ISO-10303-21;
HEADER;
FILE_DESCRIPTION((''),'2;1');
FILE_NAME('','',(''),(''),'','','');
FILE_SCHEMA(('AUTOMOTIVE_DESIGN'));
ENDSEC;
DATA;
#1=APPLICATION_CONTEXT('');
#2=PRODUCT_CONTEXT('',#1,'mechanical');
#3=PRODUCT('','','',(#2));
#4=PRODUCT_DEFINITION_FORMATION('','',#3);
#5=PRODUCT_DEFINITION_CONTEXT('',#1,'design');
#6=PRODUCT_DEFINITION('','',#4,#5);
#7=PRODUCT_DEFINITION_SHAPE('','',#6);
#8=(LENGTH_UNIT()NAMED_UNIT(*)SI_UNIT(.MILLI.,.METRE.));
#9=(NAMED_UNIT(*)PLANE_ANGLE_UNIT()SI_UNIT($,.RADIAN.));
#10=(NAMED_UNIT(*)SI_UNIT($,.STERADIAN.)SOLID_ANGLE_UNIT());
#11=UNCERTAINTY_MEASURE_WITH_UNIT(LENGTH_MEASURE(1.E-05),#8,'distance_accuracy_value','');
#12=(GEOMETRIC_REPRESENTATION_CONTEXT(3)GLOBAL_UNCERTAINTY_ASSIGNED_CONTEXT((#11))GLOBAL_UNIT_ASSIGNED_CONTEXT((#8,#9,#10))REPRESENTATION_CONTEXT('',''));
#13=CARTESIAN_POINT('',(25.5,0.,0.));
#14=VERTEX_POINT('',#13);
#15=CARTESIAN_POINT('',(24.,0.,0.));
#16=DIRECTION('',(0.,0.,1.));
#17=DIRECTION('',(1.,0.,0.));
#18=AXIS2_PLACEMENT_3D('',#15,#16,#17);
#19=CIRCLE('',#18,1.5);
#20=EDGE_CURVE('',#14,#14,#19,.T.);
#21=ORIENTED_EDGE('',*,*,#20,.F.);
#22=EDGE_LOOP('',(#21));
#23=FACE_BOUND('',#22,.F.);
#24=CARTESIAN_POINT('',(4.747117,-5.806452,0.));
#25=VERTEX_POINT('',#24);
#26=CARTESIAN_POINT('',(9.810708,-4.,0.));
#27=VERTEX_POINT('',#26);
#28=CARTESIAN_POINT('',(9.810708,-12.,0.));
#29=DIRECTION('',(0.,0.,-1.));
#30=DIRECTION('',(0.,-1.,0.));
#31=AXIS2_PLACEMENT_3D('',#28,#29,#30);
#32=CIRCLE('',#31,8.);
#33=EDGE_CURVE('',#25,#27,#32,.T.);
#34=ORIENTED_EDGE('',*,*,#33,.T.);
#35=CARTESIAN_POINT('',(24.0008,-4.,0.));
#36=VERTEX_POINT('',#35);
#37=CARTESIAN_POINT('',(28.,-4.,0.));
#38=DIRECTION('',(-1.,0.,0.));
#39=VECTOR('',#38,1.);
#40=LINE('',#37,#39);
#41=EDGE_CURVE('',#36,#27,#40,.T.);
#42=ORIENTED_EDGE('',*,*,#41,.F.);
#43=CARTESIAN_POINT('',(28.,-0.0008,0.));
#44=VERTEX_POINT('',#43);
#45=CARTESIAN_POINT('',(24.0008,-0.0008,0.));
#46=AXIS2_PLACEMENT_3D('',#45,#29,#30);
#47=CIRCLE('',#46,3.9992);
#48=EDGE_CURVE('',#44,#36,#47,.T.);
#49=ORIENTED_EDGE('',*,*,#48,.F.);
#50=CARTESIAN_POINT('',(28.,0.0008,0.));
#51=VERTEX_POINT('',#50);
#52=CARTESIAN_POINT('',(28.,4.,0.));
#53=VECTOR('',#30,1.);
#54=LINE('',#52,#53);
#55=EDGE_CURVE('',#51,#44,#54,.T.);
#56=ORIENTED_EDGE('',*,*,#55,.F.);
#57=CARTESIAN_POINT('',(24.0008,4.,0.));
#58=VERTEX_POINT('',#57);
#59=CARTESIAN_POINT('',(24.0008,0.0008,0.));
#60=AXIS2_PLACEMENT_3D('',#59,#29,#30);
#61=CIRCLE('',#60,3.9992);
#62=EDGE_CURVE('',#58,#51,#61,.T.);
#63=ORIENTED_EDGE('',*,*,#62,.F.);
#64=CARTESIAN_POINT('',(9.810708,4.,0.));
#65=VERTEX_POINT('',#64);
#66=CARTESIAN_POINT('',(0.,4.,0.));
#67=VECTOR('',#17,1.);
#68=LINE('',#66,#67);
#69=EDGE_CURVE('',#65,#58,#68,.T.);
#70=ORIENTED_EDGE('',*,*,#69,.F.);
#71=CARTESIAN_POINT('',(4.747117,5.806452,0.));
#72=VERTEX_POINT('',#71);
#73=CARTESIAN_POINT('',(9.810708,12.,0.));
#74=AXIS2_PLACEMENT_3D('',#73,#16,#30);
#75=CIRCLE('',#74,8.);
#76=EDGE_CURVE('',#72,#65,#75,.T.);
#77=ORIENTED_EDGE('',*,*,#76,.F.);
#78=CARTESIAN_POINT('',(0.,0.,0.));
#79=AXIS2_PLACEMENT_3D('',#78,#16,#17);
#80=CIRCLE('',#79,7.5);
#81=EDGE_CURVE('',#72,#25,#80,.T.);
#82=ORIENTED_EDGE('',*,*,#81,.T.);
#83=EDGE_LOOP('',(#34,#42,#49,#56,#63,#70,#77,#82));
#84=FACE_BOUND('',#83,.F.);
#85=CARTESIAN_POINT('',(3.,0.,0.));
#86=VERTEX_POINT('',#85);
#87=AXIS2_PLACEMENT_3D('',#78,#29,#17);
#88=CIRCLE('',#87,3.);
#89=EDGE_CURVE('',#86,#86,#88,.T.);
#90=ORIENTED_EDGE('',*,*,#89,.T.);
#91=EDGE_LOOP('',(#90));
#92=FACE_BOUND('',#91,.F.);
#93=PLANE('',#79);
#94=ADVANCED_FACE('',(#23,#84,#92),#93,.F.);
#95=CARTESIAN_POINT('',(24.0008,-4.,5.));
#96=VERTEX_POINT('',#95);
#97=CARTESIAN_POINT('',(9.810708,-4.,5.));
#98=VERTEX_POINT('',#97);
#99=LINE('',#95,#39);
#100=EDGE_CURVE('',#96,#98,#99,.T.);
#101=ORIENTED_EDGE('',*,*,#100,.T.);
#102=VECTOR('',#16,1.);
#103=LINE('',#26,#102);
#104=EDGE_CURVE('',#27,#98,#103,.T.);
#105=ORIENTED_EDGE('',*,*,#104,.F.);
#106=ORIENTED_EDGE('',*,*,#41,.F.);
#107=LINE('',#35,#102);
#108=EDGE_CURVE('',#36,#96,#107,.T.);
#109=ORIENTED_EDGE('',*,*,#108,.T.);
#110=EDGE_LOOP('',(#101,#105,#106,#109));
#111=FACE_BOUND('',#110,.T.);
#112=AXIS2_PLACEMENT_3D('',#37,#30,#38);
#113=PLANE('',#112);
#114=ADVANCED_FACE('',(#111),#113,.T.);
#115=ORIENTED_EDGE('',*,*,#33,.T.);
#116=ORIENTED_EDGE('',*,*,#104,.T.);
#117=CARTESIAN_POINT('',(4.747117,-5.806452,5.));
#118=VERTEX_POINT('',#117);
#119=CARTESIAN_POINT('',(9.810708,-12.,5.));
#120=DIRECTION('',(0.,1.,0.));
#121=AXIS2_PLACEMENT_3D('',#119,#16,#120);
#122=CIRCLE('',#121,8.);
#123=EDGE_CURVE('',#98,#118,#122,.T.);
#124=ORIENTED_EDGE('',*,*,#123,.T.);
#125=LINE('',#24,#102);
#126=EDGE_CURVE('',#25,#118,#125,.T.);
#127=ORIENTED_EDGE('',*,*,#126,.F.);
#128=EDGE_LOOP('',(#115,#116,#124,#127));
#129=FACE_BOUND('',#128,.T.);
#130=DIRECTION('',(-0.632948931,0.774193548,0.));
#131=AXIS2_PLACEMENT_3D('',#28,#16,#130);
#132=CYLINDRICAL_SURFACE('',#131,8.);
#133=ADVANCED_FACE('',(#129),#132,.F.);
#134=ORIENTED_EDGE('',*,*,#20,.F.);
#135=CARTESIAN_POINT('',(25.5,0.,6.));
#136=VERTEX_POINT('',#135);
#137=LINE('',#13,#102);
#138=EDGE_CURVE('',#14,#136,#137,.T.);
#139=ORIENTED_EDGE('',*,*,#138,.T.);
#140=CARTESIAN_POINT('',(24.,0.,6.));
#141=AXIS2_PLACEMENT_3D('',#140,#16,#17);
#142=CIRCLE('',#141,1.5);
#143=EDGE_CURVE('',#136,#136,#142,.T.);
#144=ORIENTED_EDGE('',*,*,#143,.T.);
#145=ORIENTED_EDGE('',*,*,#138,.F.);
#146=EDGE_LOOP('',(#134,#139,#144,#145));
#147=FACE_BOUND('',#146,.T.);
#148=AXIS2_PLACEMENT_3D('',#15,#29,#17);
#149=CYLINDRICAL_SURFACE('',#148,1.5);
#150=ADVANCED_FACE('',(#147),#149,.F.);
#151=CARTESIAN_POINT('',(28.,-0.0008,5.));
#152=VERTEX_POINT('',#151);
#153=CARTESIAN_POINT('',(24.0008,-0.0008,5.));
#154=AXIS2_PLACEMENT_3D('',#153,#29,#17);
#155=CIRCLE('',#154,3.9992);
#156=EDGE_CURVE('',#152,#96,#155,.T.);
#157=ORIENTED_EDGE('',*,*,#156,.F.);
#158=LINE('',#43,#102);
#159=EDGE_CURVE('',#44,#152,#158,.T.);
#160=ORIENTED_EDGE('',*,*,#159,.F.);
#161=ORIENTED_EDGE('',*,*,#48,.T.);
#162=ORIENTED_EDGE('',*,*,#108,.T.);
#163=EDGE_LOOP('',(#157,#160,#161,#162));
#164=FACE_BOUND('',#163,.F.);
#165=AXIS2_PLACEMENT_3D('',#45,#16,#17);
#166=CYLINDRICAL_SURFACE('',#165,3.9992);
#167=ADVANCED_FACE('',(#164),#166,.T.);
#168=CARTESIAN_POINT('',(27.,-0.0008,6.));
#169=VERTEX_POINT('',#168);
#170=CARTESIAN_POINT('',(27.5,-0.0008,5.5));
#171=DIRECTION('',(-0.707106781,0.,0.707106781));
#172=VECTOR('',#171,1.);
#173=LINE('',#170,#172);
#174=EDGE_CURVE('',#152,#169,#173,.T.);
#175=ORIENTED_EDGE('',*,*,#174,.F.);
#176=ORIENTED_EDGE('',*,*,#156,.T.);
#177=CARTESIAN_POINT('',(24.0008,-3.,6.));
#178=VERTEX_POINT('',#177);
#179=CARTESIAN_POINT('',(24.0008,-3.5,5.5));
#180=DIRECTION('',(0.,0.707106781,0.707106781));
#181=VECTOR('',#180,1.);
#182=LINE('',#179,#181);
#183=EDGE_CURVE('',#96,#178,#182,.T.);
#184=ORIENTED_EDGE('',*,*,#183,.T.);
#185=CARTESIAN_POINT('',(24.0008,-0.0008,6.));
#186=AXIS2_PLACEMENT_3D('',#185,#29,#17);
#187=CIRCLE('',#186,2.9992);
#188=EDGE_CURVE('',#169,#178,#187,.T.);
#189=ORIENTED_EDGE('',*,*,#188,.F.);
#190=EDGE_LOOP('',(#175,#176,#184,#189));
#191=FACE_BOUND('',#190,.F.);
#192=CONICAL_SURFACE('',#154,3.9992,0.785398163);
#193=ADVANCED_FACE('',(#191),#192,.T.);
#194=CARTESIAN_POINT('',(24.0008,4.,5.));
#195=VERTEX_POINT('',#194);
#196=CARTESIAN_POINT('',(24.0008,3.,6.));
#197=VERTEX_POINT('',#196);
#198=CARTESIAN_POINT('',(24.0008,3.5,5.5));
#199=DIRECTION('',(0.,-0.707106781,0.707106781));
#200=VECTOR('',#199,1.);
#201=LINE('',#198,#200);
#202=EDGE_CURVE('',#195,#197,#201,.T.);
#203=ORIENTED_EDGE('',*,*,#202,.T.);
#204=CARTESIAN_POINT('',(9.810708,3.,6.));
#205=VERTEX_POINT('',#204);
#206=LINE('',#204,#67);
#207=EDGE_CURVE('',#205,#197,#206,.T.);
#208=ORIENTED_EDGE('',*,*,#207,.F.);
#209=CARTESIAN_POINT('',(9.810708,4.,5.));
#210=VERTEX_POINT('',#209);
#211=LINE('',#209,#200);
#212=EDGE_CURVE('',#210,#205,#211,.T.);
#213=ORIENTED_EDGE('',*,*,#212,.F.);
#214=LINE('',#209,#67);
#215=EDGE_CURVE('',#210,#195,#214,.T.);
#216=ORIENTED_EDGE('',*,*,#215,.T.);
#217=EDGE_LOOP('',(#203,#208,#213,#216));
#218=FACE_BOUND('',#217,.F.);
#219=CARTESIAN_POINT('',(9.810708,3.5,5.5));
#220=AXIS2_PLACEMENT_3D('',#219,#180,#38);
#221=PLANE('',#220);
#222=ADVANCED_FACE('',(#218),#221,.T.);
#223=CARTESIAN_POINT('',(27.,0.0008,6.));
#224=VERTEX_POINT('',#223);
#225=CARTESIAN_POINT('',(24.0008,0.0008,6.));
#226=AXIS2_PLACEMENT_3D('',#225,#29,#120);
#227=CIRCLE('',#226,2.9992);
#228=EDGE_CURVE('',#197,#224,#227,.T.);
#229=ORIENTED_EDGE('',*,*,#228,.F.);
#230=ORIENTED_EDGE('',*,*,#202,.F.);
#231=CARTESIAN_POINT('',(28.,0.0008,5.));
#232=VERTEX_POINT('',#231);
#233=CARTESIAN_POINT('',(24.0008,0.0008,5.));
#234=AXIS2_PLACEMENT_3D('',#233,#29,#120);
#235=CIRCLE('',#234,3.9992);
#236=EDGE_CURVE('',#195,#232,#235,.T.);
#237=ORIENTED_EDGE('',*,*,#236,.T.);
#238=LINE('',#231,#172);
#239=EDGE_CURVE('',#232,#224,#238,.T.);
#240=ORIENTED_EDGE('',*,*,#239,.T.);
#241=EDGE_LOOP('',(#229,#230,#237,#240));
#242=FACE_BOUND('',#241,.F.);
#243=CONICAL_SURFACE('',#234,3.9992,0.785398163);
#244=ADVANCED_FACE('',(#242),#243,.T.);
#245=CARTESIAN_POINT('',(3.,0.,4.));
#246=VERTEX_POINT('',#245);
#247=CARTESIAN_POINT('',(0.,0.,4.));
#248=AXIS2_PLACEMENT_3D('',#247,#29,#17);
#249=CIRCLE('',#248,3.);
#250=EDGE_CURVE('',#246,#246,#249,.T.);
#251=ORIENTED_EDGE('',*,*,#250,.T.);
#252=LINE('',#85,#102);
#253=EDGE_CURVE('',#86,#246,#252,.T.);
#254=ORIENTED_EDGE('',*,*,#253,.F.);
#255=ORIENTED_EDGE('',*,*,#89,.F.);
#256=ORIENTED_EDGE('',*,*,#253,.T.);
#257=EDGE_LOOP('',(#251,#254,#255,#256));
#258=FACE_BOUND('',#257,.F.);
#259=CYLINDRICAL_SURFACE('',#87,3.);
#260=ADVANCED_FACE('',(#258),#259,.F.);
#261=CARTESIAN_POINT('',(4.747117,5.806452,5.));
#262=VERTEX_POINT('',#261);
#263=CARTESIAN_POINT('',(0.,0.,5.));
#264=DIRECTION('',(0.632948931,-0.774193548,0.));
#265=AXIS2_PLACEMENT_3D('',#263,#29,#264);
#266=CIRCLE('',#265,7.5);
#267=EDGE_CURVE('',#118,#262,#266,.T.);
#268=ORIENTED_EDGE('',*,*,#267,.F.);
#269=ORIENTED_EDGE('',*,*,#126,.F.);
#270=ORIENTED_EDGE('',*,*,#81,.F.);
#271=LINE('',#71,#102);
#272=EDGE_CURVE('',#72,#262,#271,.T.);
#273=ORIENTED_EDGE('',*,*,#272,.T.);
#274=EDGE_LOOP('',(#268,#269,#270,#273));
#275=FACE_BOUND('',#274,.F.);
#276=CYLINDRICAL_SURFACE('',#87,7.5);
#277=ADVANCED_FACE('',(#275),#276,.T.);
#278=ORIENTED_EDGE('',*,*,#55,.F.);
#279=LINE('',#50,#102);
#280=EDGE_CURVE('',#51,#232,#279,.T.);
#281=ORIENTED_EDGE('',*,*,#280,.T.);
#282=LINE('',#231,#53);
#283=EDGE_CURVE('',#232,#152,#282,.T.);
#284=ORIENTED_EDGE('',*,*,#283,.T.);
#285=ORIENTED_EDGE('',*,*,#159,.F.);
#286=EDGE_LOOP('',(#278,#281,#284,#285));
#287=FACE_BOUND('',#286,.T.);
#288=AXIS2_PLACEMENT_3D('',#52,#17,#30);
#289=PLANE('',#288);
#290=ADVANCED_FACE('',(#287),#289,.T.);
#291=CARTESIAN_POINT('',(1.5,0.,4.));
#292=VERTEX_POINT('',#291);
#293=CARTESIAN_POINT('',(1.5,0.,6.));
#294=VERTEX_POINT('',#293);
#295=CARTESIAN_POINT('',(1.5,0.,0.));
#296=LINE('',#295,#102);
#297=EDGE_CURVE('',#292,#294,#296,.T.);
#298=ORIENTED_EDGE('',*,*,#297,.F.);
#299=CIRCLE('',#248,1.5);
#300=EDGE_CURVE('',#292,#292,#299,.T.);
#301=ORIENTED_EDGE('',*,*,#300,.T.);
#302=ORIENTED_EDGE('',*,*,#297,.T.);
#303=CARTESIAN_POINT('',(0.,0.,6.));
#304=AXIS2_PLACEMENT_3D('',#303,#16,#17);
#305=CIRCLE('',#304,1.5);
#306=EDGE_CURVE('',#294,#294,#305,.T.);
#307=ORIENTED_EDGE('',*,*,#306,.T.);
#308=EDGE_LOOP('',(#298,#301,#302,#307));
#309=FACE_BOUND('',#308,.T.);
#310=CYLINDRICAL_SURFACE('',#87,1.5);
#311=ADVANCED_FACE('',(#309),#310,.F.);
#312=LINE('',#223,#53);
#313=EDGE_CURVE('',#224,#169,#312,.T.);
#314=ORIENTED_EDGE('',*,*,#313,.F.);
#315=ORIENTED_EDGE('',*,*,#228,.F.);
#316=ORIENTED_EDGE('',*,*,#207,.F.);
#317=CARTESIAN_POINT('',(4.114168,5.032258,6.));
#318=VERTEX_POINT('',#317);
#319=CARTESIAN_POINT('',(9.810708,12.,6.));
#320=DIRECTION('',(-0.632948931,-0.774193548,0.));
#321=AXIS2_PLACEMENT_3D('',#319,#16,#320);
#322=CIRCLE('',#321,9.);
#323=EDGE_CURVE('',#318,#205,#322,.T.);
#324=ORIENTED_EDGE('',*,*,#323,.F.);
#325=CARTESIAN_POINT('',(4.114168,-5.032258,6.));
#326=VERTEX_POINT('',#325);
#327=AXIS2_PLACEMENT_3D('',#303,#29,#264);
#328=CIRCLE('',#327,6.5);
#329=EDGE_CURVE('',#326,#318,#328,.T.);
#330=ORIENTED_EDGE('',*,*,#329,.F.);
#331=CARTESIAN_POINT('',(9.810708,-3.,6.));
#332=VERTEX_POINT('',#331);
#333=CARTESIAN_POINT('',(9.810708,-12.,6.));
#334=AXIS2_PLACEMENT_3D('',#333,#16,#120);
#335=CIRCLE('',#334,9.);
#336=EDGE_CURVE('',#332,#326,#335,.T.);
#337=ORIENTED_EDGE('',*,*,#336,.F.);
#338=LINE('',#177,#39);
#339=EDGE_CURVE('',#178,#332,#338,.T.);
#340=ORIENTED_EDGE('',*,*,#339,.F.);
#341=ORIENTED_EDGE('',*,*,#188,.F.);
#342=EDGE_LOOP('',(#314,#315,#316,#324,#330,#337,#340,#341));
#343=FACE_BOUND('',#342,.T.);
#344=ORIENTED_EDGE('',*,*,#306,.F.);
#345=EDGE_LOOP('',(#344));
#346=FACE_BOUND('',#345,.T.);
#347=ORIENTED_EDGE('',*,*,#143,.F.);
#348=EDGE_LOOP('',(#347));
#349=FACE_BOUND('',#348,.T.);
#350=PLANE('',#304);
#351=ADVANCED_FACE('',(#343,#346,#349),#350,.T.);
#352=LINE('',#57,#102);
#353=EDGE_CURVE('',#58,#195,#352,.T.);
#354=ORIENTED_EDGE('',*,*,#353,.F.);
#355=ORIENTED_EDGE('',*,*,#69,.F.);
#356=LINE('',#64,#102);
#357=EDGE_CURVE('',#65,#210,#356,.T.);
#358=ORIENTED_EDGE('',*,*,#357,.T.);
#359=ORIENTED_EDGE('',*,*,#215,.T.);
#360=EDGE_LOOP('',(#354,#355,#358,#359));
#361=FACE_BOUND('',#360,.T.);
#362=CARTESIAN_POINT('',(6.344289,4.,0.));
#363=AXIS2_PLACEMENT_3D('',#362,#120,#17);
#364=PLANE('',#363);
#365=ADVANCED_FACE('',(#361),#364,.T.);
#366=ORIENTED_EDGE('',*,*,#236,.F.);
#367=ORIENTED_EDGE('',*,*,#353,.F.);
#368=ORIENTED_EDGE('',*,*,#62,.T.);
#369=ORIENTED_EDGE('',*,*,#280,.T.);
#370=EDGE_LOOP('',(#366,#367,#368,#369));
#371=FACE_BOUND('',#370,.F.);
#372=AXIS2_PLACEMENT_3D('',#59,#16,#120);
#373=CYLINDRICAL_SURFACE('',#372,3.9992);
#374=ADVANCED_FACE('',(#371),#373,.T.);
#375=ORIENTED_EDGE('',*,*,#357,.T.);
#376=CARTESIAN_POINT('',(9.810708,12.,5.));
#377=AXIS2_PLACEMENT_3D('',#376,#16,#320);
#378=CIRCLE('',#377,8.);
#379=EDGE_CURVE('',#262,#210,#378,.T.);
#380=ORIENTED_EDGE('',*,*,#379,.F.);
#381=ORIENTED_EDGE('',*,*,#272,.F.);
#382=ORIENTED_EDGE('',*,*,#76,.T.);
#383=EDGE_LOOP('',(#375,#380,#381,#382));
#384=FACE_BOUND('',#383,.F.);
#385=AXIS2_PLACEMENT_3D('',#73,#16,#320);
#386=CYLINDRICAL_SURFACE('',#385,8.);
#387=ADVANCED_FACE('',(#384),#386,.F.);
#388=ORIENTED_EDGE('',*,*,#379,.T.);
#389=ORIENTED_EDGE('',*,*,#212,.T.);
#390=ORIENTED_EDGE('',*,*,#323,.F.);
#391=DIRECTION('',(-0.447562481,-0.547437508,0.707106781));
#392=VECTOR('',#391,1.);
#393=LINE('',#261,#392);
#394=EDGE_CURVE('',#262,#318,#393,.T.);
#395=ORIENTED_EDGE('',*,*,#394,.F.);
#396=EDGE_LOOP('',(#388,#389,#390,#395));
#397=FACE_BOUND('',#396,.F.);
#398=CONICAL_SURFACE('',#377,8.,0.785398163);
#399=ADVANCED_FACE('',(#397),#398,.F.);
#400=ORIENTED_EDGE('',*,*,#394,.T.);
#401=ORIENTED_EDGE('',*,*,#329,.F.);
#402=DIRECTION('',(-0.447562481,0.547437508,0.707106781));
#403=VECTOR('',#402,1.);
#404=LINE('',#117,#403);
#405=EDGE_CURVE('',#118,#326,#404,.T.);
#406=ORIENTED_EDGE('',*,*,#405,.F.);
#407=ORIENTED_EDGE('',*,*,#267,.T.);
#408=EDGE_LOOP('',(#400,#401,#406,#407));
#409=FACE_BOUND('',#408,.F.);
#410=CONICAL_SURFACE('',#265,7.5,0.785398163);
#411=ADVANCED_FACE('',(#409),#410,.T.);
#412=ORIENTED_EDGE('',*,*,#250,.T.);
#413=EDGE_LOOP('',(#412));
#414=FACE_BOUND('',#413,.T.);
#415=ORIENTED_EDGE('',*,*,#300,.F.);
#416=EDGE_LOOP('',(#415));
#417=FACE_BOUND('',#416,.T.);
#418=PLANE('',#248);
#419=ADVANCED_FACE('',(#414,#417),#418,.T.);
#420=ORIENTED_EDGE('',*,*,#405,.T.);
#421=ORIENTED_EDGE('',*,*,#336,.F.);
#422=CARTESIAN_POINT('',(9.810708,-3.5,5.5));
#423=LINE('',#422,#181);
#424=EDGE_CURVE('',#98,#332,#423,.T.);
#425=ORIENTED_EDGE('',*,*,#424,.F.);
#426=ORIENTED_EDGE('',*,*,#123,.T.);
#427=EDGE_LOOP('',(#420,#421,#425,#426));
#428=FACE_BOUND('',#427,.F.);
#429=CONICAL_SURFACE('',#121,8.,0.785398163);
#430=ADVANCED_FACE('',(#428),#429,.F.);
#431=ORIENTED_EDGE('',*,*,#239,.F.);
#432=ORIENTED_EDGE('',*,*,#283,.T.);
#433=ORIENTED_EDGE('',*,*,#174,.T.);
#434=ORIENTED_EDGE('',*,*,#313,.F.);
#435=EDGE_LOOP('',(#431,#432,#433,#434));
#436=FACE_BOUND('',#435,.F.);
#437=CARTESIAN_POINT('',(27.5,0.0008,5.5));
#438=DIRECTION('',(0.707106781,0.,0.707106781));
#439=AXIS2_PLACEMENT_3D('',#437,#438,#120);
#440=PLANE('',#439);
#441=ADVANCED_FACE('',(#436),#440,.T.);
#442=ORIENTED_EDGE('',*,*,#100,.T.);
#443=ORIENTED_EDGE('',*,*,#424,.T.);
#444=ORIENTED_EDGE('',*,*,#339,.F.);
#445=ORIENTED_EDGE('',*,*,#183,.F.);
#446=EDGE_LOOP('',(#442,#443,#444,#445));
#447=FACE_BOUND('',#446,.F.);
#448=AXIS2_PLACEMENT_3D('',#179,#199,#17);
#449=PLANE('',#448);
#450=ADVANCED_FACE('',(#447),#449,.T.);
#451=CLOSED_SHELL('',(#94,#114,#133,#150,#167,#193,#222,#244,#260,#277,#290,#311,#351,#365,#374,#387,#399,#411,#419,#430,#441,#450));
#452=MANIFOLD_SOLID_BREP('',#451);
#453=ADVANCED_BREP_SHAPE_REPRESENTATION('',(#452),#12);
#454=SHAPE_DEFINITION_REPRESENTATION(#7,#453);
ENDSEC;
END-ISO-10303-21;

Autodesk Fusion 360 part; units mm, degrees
sketch "Sketch1" plane through (0, 0, 0) normal (0, 0, 1) x (1, 0, 0)
  circle A0 centre (0, 0) radius 7.5
  line L0 (0, 4) -> (28, 4)
  line L1 (28, 4) -> (28, -4)
  line L2 (28, -4) -> (0, -4)
  line L3 (0, -4) -> (0, 4)
  circle A1 centre (0, 0) radius 1.5
  circle A2 centre (24, 0) radius 1.5
  dimension "d1" = 15
  dimension "d2" = 28
  dimension "d3" = 8
  dimension "d4" = 4
  dimension "d5" = 3
  dimension "d6" = 3
  dimension "d7" = 24
extrude "Extrude1" add sketch "Sketch1" along normal blind 6 contours A0 L0 L2 L3 A1 | A0 L0 L1 L2 | A0 L0 L2 L3 A1
fillet "Fillet1" radius 8 2 edges at (6.3443, -4, 3) (6.3443, 4, 3)
fillet "Fillet2" radius 4 2 edges at (28, 4, 3) (28, -4, 3)
chamfer "Chamfer1" distance 1 angle 45 6 edges at (16.9054, -4, 6) (28, 0, 6) (16.9054, 4, 6) (7.1226, 4.4651, 6) (-7.5, 0, 6) (7.1226, -4.4651, 6)
sketch "Sketch2" plane through (0, 0, 0) normal (0, 0, -1) x (1, 0, 0)
  arc A0 (24, -4) -> (24, 4) centre (24, 0) ccw
  line L0 (24, 4) -> (9.8107, 4)
  arc A1 (4.7471, 5.8065) -> (9.8107, 4) centre (9.8107, 12) ccw
  arc A2 (4.7471, 5.8065) -> (4.7471, -5.8065) centre (0, 0) ccw
  arc A3 (9.8107, -4) -> (4.7471, -5.8065) centre (9.8107, -12) ccw
  line L1 (9.8107, -4) -> (24, -4)
  circle A4 centre (24, 0) radius 1.5
  circle A5 centre (0, 0) radius 1.5
  circle A6 centre (0, 0) radius 3
  dimension "d15" = 6
extrude "Extrude2" cut sketch "Sketch2" against normal blind 4 contours A6
